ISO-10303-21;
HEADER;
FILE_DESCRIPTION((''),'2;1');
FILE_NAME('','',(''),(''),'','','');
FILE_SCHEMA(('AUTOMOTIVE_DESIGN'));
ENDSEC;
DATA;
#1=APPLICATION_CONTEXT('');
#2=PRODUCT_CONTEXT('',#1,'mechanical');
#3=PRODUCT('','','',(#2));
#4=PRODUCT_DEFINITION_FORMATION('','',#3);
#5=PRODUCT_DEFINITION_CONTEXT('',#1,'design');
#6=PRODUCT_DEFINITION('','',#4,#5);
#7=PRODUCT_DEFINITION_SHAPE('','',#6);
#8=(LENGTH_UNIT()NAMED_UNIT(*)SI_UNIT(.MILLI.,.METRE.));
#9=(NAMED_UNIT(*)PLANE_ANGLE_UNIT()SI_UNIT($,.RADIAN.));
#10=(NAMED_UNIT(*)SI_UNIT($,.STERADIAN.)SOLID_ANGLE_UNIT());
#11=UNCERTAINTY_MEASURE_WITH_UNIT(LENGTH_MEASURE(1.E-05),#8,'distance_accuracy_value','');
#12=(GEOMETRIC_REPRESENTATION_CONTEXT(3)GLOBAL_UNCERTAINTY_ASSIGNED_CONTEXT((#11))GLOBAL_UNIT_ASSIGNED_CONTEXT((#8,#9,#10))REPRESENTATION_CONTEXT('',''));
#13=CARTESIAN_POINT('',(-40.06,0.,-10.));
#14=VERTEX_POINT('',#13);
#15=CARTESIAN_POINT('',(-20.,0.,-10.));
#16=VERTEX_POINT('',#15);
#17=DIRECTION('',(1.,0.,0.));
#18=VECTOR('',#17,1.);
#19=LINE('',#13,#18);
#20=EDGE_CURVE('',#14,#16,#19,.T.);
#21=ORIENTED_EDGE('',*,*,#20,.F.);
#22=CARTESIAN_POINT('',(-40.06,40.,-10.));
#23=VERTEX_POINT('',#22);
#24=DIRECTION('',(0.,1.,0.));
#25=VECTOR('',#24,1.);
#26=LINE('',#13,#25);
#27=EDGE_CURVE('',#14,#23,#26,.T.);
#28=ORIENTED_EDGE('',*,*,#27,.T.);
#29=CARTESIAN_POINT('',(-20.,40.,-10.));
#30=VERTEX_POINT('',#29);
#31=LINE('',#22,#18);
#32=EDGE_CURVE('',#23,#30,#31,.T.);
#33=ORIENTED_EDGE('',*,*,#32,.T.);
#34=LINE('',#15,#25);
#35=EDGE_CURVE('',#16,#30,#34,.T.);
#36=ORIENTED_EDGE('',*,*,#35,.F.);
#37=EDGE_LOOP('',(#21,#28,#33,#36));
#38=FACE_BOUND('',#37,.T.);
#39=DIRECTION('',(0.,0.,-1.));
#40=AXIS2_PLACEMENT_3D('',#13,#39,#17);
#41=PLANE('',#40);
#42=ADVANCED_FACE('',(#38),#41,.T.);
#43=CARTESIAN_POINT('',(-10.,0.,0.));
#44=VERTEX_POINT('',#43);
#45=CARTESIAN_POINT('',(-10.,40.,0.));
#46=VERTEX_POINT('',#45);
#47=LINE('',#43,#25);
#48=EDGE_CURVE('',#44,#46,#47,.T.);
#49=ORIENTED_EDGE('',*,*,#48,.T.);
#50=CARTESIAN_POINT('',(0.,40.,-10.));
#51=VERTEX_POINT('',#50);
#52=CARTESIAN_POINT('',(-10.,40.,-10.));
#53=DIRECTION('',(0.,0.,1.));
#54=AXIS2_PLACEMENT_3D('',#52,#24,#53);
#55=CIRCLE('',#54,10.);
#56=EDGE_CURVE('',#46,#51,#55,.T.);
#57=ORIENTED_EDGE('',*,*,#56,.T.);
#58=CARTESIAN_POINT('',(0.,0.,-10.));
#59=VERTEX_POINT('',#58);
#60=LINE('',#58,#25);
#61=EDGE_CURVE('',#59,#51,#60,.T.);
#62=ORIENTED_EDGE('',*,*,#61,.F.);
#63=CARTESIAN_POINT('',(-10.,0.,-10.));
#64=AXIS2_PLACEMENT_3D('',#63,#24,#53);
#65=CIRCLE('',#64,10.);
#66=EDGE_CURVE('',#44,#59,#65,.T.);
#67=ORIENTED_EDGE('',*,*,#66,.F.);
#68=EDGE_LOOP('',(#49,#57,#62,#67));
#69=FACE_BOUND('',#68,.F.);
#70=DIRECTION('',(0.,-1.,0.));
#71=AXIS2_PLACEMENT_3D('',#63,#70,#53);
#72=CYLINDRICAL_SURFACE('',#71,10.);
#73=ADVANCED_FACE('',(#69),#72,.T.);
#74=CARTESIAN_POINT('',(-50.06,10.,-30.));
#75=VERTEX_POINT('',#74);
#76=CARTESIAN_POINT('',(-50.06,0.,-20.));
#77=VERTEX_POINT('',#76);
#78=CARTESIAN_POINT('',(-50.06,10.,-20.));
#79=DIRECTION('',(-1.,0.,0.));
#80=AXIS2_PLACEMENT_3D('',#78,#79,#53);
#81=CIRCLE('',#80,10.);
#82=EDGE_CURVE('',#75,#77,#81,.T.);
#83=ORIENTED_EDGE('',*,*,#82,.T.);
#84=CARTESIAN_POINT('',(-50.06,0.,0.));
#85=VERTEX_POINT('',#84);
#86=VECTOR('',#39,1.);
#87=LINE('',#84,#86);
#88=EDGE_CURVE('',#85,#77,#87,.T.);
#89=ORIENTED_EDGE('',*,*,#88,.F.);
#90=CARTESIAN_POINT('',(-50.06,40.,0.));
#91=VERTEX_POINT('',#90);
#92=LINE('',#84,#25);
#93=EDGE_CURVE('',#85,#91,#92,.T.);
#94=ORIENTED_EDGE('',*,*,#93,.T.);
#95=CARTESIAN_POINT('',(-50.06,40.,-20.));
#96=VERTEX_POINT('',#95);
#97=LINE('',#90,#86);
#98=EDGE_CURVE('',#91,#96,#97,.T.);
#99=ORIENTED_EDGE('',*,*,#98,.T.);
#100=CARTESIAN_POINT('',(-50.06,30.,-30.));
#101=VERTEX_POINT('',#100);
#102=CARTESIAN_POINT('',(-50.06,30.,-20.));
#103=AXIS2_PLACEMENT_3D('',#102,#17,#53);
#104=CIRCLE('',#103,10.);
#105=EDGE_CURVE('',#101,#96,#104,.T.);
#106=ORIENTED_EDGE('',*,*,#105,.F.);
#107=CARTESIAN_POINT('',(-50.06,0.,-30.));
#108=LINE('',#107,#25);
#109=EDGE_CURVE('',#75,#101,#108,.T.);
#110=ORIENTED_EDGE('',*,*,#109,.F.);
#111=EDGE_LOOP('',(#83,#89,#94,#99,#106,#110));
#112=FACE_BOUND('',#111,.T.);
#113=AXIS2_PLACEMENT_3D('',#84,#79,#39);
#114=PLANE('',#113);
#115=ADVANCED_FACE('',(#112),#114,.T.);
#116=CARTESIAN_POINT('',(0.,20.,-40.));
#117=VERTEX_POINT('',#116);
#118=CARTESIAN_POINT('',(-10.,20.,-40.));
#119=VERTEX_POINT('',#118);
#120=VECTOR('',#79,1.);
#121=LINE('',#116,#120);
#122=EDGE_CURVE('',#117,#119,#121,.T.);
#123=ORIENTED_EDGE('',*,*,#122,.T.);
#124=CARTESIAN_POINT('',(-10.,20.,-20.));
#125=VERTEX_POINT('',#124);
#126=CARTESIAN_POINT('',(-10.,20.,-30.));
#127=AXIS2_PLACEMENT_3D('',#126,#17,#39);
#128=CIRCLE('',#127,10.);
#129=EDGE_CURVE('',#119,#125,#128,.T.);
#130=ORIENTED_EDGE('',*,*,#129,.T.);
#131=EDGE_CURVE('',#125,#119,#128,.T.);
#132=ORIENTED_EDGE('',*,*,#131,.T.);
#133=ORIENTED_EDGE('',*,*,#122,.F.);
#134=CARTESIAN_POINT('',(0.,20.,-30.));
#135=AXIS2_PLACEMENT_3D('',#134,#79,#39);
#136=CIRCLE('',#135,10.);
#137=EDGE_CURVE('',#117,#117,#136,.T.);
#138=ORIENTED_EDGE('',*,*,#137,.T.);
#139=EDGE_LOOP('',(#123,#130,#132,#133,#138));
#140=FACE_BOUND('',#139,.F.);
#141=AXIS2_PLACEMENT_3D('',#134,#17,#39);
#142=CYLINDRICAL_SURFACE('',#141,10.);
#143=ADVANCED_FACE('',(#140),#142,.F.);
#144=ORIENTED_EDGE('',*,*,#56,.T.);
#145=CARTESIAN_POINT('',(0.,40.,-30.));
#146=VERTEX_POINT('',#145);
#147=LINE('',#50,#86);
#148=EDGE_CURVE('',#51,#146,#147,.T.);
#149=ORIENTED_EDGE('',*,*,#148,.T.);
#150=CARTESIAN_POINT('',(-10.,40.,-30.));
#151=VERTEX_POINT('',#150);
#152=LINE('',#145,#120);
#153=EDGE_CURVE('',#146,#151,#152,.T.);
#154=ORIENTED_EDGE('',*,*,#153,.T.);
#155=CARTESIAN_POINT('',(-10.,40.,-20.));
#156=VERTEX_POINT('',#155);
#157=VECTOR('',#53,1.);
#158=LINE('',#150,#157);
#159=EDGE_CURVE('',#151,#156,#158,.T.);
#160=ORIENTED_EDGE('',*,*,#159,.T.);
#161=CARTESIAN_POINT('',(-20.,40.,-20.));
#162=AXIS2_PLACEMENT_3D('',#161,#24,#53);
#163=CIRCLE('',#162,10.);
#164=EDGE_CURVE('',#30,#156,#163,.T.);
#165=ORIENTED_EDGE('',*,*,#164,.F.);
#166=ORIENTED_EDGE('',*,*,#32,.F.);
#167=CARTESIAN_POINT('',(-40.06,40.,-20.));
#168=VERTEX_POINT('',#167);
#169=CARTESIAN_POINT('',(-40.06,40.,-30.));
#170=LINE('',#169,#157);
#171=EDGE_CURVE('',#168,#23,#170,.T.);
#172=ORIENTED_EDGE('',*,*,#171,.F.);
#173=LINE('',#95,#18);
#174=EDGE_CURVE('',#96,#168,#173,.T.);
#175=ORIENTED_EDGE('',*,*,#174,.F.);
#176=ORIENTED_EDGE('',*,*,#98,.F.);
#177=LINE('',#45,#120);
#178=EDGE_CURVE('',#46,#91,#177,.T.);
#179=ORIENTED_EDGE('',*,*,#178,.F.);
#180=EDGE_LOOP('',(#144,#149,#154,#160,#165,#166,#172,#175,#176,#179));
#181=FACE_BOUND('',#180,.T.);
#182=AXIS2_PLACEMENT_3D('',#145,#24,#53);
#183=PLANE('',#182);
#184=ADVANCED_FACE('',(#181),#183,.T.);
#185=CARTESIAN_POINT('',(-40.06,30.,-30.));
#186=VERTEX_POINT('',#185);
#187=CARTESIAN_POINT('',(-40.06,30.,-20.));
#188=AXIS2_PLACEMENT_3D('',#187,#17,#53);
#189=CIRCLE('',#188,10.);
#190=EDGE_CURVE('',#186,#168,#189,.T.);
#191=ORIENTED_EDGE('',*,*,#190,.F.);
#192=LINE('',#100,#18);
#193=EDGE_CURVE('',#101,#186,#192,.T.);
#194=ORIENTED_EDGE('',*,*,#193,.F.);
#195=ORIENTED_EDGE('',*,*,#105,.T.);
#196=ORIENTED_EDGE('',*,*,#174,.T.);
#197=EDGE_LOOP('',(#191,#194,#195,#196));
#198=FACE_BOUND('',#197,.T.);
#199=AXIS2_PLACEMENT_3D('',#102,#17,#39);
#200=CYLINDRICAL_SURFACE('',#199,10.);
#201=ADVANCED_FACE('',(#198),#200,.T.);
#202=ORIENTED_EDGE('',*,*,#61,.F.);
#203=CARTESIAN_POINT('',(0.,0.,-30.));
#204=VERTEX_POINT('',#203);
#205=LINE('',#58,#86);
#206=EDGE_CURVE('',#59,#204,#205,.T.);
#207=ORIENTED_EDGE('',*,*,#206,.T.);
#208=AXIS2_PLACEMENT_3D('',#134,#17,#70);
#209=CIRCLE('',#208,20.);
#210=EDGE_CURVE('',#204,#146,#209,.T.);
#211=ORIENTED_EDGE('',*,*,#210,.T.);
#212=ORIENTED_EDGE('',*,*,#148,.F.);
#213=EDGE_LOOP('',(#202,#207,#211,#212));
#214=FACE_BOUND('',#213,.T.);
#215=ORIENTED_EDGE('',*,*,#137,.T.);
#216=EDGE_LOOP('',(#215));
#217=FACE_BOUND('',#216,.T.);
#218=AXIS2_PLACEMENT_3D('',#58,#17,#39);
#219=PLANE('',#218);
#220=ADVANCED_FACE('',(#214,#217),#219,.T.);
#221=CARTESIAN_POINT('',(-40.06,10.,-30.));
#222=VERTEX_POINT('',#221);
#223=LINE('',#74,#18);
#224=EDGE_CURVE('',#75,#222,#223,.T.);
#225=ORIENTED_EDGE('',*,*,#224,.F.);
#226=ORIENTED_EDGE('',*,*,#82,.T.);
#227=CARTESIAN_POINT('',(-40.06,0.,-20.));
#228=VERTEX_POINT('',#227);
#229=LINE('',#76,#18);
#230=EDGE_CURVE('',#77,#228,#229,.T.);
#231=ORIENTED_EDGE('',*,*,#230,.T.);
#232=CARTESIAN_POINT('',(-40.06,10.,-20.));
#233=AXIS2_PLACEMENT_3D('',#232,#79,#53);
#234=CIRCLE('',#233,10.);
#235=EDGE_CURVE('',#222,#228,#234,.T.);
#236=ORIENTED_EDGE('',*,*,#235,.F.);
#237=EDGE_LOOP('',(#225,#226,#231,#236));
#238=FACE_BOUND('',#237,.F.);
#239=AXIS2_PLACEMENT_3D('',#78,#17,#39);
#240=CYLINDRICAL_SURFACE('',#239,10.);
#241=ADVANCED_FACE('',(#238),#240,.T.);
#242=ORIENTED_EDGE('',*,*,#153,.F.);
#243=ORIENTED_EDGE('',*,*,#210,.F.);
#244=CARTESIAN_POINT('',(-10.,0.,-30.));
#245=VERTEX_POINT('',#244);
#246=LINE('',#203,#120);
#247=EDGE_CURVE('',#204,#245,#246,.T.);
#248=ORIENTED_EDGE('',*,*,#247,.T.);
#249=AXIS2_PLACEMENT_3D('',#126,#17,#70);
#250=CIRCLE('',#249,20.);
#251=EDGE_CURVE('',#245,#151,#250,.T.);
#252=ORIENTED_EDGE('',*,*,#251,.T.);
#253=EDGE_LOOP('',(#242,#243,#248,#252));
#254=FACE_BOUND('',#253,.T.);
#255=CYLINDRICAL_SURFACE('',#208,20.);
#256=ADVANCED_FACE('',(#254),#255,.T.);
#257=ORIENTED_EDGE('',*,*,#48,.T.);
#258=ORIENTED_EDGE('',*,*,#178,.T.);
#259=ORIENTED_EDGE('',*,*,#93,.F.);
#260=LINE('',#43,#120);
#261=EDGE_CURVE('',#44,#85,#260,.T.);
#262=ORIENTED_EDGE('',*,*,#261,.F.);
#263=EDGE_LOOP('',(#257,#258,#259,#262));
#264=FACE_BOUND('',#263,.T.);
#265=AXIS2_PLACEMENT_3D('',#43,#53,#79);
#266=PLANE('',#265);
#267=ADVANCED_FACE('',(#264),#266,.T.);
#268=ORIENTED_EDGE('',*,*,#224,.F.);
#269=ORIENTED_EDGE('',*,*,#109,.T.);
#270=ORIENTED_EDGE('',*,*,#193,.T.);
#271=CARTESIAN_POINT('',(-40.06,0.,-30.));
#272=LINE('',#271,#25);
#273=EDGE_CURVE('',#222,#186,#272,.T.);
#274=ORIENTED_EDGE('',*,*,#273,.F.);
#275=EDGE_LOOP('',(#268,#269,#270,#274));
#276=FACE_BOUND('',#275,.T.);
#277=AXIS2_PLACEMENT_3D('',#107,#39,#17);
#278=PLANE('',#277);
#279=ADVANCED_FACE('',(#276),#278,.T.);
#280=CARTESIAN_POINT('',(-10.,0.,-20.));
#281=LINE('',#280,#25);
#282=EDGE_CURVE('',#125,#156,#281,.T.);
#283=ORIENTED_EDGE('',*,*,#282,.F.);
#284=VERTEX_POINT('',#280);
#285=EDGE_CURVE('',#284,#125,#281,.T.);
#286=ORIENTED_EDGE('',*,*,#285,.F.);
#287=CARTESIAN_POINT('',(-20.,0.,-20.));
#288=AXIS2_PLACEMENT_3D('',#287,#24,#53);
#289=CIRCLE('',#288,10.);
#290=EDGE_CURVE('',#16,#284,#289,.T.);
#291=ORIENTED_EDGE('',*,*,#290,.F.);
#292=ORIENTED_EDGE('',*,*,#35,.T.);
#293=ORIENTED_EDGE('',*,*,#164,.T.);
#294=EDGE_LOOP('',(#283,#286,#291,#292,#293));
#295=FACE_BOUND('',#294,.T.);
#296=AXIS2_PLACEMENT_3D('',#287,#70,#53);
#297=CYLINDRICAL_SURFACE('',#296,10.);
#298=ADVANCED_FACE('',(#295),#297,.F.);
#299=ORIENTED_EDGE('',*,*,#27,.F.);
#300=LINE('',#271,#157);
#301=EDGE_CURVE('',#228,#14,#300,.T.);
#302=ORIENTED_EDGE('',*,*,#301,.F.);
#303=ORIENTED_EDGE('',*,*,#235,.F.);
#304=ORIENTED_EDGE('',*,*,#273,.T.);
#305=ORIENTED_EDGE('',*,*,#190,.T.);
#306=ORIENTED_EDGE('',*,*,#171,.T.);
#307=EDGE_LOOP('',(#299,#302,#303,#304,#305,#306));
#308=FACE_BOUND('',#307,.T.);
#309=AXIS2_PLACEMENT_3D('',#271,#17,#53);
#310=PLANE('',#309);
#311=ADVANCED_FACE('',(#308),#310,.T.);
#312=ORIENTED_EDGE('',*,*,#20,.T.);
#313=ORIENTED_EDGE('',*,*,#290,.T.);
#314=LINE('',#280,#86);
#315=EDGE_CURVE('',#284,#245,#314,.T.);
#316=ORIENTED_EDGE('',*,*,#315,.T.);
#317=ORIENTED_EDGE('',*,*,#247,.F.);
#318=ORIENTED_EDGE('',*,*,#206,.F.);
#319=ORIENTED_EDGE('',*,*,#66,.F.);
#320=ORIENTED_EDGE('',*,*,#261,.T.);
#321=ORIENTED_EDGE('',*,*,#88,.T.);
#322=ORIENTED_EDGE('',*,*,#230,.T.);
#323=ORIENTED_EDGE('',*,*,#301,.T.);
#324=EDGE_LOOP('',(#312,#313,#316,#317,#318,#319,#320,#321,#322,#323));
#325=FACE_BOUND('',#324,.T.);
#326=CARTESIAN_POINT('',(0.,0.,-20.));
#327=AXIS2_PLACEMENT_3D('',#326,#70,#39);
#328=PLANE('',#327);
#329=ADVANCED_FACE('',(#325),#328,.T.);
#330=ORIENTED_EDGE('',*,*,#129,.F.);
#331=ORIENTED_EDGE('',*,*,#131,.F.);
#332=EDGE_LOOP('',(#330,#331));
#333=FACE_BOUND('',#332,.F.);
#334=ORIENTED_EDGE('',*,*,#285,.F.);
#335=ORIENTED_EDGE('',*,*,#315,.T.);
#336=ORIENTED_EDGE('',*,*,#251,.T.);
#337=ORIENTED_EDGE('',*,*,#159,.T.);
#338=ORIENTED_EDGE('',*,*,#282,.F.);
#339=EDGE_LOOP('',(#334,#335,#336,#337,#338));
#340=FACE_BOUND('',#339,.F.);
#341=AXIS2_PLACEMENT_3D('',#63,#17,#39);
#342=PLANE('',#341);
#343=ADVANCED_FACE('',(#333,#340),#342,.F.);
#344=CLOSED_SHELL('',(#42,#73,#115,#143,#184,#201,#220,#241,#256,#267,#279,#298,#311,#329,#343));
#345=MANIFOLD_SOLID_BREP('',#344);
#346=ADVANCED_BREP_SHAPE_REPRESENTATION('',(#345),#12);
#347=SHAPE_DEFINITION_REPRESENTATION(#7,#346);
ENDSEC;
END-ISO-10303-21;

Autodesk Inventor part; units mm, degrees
ref_plane "YZ Plane" through (0, 0, 0) normal (1, 0, 0) x (0, 1, 0)
ref_plane "XZ Plane" through (0, 0, 0) normal (0, 1, 0) x (-1, 0, 0)
ref_plane "XY Plane" through (0, 0, 0) normal (0, 0, 1) x (1, 0, 0)
sketch "Sketch1" plane through (0, 0, 0) normal (0, 1, 0) x (-1, 0, 0)
  line L0 (0, 0) -> (10, 0)
  arc A0 (10, 0) -> (0, -10) centre (10, -10) ccw
  line L1 (0, -20) -> (10, -20)
  arc A1 (20, -10) -> (10, -20) centre (20, -20) ccw
  line L2 (0, -10) -> (0, -20)
  line L3 (10, 0) -> (50.06, 0)
  line L4 (50.06, 0) -> (50.06, -30)
  line L5 (50.06, -30) -> (40.06, -30)
  line L6 (40.06, -30) -> (40.06, -10)
  line L7 (40.06, -10) -> (20, -10)
  dimension "d2" = 20
  dimension "d3" = 50.06
  dimension "d4" = 30
  dimension "d5" = 10
  dimension "d6" = 20
extrude "Extrusion1" add sketch "Sketch1" along normal blind 40
fillet "Fillet1" radius 10 2 edges at (-45.06, 40, -30) (-45.06, 0, -30)
sketch "Sketch3" plane through (0, 0, -10) normal (1, 0, 0) x (0, 0, -1)
  line L0 (10, 0) -> (20, 0)
  line L1 (0, 40) -> (10, 40) projected
  line L2 (20, 40) -> (10, 40)
  circle A0 centre (20, 20) radius 10
  line L3 (10, 0) -> (10, 40) projected
  arc A1 (20, 0) -> (20, 40) centre (20, 20) ccw
  point P0 (-10, 0)
  dimension "d14" = 10
extrude "Extrusion3" add sketch "Sketch3" against normal blind 10
properties part number "Ex3"
